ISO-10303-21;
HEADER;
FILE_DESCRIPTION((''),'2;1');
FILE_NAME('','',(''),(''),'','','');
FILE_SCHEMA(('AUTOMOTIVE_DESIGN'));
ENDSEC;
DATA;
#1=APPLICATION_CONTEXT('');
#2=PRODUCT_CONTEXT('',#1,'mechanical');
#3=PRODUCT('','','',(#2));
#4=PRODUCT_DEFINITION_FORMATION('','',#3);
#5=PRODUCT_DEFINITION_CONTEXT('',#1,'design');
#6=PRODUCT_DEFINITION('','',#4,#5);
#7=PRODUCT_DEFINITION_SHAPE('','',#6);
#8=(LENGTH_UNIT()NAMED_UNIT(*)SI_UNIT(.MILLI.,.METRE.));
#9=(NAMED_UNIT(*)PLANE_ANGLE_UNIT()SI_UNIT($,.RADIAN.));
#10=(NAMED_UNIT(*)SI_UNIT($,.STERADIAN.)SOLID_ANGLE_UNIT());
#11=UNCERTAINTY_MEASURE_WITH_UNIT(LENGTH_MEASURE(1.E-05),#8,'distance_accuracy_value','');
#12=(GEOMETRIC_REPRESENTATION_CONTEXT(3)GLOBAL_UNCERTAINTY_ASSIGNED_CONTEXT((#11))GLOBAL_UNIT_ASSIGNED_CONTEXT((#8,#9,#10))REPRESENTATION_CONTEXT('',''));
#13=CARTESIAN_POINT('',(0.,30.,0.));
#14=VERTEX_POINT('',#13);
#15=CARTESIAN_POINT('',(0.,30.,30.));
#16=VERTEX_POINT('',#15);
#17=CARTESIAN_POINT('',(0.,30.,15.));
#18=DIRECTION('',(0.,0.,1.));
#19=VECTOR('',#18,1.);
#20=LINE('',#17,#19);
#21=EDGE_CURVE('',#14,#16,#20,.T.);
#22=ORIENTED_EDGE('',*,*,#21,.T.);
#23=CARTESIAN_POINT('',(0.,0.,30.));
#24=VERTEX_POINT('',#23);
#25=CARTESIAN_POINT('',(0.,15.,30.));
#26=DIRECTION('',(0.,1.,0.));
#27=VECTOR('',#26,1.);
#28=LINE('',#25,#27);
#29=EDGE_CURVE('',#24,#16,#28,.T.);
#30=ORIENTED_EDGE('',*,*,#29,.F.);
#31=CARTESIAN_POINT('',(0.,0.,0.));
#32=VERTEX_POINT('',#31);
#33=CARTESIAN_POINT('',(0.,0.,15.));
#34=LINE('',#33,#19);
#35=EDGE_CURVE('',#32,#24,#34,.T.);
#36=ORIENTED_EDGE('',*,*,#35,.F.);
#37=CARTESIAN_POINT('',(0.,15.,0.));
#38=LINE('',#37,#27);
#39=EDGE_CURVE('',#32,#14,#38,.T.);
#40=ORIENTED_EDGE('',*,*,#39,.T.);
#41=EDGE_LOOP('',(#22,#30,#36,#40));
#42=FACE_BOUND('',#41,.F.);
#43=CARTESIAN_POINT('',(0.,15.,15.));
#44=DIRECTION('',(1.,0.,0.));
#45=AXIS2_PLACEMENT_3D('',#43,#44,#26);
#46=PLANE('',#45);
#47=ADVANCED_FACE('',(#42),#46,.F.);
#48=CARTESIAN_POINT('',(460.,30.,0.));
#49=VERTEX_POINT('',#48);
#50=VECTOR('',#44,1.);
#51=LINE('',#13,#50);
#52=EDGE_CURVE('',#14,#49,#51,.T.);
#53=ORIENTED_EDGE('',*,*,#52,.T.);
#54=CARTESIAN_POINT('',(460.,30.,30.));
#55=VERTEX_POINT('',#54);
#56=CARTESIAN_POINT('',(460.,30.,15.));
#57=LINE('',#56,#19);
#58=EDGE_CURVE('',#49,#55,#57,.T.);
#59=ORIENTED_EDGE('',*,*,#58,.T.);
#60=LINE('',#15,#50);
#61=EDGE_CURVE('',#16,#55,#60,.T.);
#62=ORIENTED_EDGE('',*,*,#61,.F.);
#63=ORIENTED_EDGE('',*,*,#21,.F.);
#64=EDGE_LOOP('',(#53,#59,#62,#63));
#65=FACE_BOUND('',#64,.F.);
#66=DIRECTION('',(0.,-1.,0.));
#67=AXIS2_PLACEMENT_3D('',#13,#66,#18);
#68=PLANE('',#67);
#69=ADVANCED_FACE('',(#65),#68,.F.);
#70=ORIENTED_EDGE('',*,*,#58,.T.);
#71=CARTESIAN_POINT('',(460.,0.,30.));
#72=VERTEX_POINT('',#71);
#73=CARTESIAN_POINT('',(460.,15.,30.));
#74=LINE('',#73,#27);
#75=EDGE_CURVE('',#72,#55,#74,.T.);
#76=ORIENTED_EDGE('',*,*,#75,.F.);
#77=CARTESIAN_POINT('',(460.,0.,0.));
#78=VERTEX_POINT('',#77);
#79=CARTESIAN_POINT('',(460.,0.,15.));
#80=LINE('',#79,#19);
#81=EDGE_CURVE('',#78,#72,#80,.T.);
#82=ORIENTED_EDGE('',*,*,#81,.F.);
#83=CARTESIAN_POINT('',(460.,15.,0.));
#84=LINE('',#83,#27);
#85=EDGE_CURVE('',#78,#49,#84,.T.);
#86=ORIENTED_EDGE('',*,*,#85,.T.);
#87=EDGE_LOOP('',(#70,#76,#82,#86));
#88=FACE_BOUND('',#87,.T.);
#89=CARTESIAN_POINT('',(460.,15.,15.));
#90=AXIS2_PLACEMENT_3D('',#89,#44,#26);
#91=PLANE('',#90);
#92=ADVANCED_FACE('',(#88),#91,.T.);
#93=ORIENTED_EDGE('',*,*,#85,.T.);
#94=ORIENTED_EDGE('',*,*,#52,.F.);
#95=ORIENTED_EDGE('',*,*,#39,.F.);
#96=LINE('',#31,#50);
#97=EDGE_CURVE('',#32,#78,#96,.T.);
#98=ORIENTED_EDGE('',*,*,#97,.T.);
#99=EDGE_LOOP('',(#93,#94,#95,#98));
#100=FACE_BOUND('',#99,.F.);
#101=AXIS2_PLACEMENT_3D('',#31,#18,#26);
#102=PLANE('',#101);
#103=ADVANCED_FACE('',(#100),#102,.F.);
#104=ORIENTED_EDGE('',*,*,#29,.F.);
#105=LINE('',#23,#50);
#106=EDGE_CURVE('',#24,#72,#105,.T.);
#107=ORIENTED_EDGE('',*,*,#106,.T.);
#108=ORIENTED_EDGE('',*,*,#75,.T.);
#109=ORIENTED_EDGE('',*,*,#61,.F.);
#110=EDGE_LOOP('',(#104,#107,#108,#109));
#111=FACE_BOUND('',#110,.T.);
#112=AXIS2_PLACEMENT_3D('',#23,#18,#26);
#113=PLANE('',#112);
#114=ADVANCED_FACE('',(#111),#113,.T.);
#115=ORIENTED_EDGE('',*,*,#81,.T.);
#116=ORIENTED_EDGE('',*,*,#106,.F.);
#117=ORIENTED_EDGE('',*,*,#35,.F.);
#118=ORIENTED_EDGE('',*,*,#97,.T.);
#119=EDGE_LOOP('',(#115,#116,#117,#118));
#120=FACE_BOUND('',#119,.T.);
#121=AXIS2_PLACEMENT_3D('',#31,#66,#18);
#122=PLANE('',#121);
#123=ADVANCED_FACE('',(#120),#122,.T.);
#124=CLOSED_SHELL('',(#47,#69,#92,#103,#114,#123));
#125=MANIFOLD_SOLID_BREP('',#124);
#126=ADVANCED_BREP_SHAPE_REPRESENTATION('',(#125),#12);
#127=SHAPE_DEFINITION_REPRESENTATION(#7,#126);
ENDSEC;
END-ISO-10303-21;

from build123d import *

# Parameters (mm, degrees)
SKETCH_W  = 30
SKETCH_H  = 30
PAD_DEPTH = 460


with BuildPart() as part:
    # Sketch → Pad (new body)
    with BuildSketch(Plane.YZ):
        with Locations((15, 15)):
            Rectangle(SKETCH_W, SKETCH_H)
    extrude(amount=PAD_DEPTH)


solid = part.part
